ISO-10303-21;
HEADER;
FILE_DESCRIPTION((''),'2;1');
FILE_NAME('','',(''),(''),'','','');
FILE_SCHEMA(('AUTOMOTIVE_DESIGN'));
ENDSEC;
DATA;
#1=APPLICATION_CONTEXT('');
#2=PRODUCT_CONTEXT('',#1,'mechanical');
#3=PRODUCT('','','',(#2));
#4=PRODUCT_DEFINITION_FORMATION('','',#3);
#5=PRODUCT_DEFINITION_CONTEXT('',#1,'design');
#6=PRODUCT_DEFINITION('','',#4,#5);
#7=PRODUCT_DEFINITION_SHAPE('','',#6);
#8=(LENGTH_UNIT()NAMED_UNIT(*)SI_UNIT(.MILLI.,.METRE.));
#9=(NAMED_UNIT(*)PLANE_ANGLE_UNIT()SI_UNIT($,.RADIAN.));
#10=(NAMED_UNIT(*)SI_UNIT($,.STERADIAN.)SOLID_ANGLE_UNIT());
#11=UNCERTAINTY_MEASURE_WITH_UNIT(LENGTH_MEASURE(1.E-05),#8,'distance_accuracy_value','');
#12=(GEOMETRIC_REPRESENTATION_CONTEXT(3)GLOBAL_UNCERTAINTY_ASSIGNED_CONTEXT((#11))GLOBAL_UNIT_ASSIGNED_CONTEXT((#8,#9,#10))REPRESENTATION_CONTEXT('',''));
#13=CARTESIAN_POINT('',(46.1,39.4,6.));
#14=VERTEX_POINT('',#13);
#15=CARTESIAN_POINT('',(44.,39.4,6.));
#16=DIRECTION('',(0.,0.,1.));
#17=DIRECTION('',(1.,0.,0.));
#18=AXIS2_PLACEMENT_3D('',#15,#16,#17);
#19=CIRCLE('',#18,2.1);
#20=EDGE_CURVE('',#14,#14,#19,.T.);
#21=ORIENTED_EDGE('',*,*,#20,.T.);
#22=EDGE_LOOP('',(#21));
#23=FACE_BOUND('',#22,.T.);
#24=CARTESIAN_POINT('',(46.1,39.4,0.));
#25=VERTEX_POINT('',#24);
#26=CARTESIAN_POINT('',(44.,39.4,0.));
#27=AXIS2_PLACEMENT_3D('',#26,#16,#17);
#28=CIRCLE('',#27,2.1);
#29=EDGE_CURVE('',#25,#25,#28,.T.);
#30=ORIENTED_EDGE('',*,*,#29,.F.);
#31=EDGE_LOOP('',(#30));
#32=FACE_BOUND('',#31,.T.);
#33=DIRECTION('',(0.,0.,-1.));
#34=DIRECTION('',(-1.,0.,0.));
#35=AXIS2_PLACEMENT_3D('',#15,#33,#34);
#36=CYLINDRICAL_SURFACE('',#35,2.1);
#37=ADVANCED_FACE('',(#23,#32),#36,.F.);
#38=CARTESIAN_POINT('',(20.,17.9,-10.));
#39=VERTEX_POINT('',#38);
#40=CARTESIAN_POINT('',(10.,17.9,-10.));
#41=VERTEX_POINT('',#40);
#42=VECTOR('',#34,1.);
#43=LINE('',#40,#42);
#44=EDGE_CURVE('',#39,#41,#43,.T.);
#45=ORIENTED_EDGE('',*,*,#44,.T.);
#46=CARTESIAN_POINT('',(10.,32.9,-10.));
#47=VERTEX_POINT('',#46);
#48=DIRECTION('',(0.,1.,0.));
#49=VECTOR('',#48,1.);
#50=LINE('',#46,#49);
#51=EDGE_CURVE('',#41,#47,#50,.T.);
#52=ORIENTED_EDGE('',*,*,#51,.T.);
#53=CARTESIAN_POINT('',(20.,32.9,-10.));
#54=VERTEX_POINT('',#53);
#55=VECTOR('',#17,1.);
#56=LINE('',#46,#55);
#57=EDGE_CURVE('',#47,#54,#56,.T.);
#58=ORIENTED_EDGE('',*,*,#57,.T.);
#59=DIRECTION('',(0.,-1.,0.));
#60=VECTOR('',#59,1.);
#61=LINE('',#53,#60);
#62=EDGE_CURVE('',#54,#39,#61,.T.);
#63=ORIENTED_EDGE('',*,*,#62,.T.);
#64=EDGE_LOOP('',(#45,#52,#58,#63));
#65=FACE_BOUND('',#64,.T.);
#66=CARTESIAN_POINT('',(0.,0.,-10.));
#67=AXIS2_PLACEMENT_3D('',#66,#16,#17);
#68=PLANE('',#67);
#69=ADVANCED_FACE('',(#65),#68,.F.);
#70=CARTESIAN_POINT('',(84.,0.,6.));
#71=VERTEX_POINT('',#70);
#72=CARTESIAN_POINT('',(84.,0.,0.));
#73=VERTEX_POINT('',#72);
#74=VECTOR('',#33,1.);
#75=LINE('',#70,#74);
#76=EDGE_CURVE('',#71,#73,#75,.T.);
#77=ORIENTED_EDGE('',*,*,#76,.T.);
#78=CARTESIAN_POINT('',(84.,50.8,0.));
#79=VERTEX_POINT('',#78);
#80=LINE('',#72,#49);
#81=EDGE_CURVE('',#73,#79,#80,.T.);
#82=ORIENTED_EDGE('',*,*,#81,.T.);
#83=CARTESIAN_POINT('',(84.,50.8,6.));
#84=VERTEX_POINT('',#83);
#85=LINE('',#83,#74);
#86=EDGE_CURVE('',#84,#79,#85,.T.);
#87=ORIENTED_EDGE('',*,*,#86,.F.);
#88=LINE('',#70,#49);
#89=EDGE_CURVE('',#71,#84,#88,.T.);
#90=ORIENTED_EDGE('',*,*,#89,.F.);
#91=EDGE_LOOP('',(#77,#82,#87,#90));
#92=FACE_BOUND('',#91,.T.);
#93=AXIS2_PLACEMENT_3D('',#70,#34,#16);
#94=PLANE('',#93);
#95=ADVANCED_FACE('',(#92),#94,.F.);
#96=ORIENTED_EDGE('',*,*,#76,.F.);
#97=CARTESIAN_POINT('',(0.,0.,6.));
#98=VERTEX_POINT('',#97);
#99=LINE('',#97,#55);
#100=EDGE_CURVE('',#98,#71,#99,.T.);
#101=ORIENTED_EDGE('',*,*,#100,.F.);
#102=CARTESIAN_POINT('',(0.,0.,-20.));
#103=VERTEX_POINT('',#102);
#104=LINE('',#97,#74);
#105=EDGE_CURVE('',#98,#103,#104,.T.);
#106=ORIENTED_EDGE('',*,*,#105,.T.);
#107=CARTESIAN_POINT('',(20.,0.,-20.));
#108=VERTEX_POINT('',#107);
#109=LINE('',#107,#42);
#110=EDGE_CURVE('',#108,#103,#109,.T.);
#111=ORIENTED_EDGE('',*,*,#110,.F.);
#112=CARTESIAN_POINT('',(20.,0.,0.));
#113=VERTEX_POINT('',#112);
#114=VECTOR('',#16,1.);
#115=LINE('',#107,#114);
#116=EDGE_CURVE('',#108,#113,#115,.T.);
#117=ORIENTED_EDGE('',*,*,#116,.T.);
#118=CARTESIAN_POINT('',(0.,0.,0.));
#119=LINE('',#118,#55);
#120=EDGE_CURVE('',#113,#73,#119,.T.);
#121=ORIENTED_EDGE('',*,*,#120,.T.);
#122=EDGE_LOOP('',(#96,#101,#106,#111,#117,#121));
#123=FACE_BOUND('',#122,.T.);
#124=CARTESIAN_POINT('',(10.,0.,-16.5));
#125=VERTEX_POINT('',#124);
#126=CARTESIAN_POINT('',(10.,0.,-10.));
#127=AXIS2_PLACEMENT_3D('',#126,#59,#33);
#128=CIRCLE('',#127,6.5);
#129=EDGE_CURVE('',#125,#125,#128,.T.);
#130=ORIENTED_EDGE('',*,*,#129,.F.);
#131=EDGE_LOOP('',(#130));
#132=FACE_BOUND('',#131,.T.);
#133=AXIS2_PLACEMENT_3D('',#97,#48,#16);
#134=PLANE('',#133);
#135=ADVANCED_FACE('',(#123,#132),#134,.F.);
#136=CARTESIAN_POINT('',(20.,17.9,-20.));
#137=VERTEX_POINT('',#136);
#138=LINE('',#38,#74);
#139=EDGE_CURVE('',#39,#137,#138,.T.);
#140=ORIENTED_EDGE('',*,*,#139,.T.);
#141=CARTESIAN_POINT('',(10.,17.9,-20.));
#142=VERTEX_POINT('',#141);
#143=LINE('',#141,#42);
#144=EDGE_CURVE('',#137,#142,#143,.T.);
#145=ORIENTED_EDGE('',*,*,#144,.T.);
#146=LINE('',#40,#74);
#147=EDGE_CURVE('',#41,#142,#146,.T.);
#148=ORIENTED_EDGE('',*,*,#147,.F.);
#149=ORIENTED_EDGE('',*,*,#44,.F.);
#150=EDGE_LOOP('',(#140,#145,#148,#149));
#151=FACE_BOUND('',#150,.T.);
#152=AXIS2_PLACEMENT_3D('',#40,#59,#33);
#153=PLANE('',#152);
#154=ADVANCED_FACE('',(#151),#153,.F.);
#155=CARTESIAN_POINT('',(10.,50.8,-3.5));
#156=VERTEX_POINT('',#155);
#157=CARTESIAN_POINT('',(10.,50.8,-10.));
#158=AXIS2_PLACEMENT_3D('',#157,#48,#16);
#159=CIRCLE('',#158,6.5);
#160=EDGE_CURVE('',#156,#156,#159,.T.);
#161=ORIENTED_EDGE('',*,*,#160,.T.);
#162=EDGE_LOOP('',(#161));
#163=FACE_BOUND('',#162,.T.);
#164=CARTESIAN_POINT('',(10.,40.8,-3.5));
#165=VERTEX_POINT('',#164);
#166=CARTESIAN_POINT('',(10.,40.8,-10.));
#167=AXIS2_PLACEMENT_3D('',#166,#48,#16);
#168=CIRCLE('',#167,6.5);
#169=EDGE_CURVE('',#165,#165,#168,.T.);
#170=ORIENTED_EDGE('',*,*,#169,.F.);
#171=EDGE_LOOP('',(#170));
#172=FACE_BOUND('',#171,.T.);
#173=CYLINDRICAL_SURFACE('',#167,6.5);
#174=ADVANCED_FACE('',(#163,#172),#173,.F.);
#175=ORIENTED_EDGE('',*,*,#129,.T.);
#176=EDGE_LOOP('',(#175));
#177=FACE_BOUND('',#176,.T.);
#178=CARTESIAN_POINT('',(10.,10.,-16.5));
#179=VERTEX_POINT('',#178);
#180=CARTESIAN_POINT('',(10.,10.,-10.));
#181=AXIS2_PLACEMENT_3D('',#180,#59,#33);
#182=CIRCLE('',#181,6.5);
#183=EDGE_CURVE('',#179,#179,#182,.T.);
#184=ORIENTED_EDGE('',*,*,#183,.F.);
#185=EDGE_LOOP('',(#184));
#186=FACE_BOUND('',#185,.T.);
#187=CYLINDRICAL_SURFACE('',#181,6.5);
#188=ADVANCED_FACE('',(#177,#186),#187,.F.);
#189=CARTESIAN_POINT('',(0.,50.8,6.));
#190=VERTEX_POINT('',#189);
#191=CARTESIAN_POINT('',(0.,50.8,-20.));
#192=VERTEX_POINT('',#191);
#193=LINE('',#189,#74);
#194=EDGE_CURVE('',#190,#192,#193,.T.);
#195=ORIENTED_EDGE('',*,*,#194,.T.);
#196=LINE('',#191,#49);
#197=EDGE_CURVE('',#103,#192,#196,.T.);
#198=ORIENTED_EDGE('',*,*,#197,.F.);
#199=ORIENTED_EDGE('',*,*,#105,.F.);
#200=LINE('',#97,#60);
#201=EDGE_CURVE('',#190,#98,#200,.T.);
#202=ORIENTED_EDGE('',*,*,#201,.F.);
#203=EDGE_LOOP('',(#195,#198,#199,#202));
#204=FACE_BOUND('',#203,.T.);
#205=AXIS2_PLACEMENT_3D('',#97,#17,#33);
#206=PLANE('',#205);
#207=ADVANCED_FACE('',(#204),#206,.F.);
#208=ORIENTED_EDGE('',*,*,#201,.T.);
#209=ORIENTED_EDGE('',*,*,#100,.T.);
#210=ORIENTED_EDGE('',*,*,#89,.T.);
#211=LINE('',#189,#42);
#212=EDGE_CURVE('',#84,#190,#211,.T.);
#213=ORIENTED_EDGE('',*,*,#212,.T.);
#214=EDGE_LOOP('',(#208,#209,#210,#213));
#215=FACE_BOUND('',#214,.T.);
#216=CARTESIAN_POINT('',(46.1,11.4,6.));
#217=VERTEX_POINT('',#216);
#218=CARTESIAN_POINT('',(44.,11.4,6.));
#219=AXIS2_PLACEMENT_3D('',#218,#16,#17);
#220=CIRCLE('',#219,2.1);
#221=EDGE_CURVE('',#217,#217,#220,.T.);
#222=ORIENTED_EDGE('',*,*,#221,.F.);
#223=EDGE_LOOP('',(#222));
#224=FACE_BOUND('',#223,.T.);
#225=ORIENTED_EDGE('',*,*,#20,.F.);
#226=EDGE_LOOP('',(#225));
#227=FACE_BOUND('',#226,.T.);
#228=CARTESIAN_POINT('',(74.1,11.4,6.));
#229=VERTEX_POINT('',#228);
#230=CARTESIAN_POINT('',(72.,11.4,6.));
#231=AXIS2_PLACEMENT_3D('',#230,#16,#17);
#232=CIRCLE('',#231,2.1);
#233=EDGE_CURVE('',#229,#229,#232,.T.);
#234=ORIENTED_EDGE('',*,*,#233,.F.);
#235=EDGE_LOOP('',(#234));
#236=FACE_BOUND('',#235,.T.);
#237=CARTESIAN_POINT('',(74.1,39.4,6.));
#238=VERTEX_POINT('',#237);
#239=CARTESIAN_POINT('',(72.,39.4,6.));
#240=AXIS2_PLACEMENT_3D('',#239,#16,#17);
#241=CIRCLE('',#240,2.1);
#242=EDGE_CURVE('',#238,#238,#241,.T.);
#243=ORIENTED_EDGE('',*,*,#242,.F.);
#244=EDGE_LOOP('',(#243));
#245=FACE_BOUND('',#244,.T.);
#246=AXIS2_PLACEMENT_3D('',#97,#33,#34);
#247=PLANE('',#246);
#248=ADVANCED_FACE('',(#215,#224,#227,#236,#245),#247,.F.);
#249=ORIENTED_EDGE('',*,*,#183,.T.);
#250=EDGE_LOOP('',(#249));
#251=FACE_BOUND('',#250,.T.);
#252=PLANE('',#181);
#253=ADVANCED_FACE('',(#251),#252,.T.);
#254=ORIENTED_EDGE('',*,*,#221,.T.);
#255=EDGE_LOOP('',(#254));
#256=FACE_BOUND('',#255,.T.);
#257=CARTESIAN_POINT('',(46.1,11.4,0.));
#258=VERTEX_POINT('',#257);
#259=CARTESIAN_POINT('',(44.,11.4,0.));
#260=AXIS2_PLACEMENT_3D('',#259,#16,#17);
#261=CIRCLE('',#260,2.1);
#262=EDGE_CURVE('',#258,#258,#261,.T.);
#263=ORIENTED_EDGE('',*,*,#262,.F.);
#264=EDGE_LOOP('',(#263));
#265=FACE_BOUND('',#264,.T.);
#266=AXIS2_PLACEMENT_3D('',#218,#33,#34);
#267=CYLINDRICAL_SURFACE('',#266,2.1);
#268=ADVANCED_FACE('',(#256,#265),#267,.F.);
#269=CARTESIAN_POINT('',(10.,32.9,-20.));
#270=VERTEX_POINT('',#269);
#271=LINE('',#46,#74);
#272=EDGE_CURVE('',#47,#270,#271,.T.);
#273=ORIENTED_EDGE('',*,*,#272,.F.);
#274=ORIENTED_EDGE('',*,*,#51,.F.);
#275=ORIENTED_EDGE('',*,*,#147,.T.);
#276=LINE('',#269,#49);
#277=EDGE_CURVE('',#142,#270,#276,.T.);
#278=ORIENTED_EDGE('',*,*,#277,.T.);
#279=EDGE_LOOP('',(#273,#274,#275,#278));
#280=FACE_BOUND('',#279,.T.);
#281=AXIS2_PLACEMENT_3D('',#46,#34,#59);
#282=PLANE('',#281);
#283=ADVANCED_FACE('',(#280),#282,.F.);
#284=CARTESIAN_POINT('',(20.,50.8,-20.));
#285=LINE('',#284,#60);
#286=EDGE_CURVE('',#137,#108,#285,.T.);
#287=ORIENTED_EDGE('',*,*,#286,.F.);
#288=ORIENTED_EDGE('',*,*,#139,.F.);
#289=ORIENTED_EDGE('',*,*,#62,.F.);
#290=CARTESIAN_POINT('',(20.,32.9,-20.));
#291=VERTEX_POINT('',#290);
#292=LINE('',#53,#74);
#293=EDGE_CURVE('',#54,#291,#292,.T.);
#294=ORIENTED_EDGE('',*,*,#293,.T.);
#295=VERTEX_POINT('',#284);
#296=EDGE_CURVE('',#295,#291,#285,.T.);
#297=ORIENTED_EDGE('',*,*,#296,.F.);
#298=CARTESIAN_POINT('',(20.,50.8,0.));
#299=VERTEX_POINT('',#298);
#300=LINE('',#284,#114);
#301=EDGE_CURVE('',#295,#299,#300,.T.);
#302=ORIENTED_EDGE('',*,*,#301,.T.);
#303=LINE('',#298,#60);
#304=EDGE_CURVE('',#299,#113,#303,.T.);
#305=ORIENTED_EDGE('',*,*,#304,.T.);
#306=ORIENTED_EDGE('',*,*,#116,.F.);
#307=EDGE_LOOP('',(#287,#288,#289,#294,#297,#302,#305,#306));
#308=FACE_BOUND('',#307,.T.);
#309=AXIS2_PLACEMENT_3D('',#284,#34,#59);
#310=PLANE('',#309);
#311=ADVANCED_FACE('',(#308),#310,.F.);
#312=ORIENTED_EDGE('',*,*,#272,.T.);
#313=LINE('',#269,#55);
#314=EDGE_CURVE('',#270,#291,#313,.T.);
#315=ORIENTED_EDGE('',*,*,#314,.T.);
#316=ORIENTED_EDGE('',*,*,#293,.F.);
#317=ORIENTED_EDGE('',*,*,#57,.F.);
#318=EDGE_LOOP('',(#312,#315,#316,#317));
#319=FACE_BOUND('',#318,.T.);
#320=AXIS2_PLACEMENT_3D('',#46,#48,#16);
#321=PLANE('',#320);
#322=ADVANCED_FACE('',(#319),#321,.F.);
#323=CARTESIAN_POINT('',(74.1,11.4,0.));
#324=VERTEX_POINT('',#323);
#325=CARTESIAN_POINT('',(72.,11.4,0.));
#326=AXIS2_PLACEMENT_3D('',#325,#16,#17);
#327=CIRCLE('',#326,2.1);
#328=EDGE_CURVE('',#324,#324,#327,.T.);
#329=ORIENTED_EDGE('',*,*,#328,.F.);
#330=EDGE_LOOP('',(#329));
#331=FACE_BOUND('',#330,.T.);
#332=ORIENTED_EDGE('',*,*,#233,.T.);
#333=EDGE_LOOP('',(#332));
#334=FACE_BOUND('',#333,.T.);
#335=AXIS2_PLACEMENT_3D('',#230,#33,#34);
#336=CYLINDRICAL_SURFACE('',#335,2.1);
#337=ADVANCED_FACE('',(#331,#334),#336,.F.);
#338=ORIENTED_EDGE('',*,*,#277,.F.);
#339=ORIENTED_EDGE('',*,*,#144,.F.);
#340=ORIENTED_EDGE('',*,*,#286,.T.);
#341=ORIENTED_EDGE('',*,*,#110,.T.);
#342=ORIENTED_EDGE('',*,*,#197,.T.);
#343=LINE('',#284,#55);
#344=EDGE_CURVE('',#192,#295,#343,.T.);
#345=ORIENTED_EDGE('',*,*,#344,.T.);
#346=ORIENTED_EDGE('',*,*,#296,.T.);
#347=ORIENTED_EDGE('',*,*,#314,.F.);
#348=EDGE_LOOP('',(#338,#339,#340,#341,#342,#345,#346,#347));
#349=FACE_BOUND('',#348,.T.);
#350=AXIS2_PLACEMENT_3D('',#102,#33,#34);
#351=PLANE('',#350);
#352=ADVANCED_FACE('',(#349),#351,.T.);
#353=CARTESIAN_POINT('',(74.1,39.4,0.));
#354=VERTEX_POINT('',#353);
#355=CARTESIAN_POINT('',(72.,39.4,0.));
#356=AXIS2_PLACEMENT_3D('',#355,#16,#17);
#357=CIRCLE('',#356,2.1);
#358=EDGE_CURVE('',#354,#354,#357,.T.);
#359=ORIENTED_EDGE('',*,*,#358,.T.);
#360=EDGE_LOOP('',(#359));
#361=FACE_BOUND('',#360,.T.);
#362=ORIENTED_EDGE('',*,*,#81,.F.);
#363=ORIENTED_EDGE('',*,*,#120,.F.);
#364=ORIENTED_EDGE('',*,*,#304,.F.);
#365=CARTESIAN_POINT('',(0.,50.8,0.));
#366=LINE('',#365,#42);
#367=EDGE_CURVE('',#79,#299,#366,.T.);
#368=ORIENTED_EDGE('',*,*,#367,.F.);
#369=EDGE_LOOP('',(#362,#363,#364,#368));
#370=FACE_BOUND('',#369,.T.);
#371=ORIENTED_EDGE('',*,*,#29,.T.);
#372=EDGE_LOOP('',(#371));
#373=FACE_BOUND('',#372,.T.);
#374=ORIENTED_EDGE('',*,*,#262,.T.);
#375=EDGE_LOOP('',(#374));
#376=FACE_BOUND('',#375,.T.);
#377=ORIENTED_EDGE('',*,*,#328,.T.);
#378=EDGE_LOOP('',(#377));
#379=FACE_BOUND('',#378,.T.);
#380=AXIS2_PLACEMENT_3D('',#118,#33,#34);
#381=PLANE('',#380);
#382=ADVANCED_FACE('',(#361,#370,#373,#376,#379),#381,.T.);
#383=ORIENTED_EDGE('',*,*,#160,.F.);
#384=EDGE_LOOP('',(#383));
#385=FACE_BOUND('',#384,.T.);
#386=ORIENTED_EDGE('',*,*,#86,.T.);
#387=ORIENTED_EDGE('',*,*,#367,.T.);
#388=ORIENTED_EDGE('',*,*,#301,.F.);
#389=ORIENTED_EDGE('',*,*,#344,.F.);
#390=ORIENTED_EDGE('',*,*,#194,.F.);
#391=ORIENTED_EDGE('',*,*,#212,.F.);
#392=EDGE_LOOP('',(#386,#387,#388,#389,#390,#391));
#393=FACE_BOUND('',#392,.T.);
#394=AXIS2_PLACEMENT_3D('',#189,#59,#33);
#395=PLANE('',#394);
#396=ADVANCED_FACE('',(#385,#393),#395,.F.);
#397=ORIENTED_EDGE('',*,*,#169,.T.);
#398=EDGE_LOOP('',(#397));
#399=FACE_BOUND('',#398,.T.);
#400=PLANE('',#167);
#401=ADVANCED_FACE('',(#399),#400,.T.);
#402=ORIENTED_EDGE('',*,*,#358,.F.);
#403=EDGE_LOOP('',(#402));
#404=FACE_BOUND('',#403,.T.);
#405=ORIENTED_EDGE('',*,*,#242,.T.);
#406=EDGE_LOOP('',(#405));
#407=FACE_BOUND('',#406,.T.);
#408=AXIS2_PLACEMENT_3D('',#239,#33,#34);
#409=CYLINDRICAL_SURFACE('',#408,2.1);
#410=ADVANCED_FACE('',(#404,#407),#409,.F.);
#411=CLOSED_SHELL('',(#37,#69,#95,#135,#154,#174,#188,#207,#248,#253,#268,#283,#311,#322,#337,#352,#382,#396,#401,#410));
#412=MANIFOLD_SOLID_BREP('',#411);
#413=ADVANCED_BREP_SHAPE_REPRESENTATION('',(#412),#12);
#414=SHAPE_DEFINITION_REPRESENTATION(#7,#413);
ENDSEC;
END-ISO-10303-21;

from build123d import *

# Parameters (mm, degrees)
SKETCH1_W           = 84
SKETCH1_H           = 50.8
SKETCH1_R           = 2.1
BOSS_EXTRUDE1_DEPTH = 6
SKETCH3_W           = 20
SKETCH3_H           = 50.8
BOSS_EXTRUDE2_DEPTH = 20
SKETCH5_R           = 6.5
CUT_EXTRUDE1_DEPTH  = 10
CUT_EXTRUDE2_START  = -10
SKETCH6_R           = 6.5
CUT_EXTRUDE2_DEPTH  = 10
SKETCH7_W           = 10
SKETCH7_H           = 15
CUT_EXTRUDE3_DEPTH  = 10


with BuildPart() as part:
    # Sketch1 → Boss-Extrude1 (new body)
    with BuildSketch(Plane.XY):
        with Locations((42, 25.4)):
            Rectangle(SKETCH1_W, SKETCH1_H)
        with Locations((72, 39.4)):
            Circle(SKETCH1_R, mode=Mode.SUBTRACT)
        with Locations((72, 11.4)):
            Circle(SKETCH1_R, mode=Mode.SUBTRACT)
        with Locations((44, 39.4)):
            Circle(SKETCH1_R, mode=Mode.SUBTRACT)
        with Locations((44, 11.4)):
            Circle(SKETCH1_R, mode=Mode.SUBTRACT)
    extrude(amount=BOSS_EXTRUDE1_DEPTH)

    # Sketch3 → Boss-Extrude2 (add)
    with BuildSketch(Plane(origin=(0, 0, 0), x_dir=(-1, 0, 0), z_dir=(0, 0, -1))):
        with Locations((-10, 25.4)):
            Rectangle(SKETCH3_W, SKETCH3_H)
    extrude(amount=BOSS_EXTRUDE2_DEPTH)

    # Sketch5 → Cut-Extrude1 (cut)
    with BuildSketch(Plane(origin=(0, 50.8, 0), x_dir=(1, 0, 0), z_dir=(0, 1, 0))):
        with Locations(Location((10, 10, 0), (0, 0, 270))):
            Circle(SKETCH5_R)
    extrude(amount=-CUT_EXTRUDE1_DEPTH, mode=Mode.SUBTRACT)

    # Sketch6 → Cut-Extrude2 (cut)
    with BuildSketch(Plane.XZ.offset(CUT_EXTRUDE2_START)):
        with Locations(Location((10, -10, 0), (0, 0, 90))):
            Circle(SKETCH6_R)
    extrude(amount=CUT_EXTRUDE2_DEPTH, mode=Mode.SUBTRACT)

    # Sketch7 → Cut-Extrude3 (cut)
    with BuildSketch(Plane(origin=(0, 0, -20), x_dir=(-1, 0, 0), z_dir=(0, 0, -1))):
        with Locations((-15, 25.4)):
            Rectangle(SKETCH7_W, SKETCH7_H)
    extrude(amount=-CUT_EXTRUDE3_DEPTH, mode=Mode.SUBTRACT)


solid = part.part
